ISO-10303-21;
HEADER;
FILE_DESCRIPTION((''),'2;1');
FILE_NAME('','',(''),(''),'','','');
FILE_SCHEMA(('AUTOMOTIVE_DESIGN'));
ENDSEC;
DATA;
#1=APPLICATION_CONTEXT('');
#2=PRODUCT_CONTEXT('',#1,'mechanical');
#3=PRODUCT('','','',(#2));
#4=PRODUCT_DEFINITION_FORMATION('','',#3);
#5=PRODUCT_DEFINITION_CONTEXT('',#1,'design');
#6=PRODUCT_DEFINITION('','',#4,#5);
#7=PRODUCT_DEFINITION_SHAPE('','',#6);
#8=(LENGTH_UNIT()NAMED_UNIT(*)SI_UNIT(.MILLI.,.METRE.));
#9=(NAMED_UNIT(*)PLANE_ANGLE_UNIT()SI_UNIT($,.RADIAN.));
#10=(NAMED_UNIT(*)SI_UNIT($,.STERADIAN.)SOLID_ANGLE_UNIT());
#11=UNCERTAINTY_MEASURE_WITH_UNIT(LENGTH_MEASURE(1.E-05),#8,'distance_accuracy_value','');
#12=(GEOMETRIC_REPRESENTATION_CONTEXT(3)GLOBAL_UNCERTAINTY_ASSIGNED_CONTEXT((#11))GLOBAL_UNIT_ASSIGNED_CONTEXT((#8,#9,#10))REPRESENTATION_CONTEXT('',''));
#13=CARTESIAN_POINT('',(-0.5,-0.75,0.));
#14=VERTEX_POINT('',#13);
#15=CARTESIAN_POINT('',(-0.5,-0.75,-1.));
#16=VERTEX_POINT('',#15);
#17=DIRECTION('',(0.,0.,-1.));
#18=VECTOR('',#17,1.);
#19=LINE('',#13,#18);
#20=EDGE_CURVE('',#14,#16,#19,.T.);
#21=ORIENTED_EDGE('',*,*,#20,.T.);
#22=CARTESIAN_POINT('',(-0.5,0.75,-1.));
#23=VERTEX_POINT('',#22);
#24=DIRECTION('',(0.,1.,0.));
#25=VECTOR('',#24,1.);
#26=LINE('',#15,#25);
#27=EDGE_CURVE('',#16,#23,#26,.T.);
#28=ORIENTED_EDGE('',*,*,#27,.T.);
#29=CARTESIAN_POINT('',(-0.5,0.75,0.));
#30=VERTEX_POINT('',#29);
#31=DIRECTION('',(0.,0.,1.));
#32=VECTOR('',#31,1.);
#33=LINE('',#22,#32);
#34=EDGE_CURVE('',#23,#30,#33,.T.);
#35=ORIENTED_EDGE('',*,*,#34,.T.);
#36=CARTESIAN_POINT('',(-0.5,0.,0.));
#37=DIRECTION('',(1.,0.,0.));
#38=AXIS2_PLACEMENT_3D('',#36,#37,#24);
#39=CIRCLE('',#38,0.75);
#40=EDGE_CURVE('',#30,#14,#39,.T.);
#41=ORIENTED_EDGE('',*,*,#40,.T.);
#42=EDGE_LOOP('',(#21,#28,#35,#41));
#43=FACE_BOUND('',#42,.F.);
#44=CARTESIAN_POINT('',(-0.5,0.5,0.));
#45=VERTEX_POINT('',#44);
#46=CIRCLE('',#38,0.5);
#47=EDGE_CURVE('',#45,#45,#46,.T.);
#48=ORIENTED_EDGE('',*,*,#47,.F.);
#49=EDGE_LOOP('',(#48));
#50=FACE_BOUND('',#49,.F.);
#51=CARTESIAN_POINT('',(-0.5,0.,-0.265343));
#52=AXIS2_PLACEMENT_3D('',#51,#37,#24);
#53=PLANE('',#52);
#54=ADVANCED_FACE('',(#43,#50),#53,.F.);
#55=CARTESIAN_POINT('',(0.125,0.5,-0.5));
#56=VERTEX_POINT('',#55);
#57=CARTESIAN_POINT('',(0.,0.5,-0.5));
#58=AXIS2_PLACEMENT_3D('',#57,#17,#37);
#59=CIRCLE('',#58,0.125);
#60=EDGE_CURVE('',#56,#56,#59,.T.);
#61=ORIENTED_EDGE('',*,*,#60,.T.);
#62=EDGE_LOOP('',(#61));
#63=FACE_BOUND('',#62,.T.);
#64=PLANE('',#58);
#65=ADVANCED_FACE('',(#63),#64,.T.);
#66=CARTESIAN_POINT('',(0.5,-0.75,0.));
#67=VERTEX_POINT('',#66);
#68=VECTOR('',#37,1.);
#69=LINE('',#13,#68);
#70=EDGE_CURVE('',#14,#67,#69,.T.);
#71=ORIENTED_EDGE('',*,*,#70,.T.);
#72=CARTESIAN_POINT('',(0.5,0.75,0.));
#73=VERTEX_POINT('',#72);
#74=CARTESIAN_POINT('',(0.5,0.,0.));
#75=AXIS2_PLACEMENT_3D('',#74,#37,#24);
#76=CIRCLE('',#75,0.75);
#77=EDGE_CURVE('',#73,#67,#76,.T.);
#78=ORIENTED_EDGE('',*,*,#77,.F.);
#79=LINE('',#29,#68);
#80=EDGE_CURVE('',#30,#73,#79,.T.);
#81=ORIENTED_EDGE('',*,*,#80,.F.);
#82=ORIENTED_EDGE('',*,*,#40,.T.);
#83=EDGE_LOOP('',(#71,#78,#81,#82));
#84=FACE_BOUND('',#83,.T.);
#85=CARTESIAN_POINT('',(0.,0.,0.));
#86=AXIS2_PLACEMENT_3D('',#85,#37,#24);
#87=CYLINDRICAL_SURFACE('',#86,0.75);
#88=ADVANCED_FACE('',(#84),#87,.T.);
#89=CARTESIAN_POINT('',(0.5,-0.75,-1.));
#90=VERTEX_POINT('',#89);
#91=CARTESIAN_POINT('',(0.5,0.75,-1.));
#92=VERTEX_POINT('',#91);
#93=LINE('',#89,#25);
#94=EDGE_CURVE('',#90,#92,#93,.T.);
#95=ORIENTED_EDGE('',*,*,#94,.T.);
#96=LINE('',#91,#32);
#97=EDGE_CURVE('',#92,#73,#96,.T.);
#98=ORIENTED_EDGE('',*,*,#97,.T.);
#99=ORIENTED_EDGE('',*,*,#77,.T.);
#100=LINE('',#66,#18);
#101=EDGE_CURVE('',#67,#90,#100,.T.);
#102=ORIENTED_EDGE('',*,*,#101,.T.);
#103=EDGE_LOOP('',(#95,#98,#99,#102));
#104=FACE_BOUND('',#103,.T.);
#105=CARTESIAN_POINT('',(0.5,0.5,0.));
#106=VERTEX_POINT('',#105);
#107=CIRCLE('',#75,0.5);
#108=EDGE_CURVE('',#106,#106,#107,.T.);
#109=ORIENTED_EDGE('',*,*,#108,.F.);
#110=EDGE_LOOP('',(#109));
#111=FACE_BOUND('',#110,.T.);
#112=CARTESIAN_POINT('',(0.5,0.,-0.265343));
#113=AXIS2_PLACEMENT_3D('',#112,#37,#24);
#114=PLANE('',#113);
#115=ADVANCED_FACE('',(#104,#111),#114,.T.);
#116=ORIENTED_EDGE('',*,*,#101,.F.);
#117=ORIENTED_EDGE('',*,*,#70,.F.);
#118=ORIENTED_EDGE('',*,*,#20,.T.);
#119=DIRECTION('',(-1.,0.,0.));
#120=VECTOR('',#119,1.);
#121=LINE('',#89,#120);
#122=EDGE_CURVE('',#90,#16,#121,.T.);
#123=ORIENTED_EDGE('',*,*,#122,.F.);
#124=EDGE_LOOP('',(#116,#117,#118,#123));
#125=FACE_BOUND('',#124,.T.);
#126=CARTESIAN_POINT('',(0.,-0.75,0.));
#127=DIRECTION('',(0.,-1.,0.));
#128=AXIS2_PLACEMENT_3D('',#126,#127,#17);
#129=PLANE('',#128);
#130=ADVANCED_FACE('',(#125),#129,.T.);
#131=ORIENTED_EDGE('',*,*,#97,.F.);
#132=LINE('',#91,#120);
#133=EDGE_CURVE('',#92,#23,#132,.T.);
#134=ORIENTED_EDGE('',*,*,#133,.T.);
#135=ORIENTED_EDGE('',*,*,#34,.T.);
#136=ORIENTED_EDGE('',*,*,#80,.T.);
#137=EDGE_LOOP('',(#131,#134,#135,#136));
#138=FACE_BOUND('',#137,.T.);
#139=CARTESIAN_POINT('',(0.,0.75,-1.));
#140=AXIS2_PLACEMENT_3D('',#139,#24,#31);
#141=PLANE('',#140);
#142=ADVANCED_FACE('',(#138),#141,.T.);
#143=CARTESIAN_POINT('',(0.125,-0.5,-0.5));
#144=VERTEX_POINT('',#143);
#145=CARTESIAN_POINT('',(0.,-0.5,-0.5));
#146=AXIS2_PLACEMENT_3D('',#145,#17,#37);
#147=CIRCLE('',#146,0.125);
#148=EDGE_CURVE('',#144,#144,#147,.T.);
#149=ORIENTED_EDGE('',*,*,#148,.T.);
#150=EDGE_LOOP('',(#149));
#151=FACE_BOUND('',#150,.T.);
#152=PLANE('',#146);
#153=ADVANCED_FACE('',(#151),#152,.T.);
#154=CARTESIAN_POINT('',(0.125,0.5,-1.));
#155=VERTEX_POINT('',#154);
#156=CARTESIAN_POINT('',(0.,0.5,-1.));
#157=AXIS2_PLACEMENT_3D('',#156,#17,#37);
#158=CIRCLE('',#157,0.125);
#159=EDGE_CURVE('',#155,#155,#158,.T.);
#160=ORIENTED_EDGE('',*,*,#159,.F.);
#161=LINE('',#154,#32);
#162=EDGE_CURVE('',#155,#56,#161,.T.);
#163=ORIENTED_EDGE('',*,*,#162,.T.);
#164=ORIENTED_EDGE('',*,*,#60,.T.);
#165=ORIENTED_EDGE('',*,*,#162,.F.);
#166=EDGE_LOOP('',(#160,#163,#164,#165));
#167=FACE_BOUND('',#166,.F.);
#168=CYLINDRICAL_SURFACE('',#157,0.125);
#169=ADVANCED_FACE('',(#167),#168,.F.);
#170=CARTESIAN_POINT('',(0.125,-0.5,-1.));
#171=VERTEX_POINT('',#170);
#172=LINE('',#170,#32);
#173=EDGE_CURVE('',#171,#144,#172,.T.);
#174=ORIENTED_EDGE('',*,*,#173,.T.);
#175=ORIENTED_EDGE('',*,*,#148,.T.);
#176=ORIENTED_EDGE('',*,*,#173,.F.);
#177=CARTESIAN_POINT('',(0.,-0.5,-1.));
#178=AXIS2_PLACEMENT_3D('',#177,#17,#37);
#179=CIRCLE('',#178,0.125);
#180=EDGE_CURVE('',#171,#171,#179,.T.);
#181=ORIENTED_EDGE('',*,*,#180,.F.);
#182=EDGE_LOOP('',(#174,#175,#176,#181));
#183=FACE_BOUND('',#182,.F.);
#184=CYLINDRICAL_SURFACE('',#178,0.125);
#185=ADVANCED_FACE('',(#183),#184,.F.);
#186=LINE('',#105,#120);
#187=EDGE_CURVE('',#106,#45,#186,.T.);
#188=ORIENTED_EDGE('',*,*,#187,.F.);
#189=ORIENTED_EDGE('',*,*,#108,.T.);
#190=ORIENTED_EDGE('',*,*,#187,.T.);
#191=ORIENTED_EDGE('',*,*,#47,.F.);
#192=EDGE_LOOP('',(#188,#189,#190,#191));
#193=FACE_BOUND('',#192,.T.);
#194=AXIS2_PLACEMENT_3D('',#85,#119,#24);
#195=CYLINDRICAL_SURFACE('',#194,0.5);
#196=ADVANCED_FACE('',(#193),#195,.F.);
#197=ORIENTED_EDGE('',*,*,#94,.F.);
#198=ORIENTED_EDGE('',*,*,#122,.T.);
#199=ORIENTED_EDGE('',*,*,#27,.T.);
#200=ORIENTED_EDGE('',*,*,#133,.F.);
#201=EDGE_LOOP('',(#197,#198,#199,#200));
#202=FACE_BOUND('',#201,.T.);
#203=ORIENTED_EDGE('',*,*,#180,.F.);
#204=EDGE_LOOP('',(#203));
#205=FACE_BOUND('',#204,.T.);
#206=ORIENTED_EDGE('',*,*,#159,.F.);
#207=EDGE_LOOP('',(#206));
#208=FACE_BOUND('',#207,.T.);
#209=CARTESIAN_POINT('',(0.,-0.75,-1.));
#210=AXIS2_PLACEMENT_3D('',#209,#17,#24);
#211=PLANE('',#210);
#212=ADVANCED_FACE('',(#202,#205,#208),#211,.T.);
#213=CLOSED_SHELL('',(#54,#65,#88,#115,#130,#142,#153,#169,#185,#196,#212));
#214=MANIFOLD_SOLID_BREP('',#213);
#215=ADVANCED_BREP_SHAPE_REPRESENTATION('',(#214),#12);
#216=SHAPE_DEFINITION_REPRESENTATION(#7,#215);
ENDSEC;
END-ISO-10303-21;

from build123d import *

# Parameters (mm, degrees)
F0_R     = 0.5
F1_DEPTH = 0.5
F2_R     = 0.125
F3_DEPTH = 0.5


with BuildPart() as f1:
    # F0 (on Right) → F1 (new body, symmetric)
    with BuildSketch(Plane.YZ):
        with BuildLine():
            Line((0.75, -1), (0.75, 0))
            ThreePointArc((0.75, 0), (0, 0.75), (-0.75, 0))
            Line((-0.75, 0), (-0.75, -1))
            Line((-0.75, -1), (0.75, -1))
        make_face()
        Circle(F0_R, mode=Mode.SUBTRACT)
    extrude(amount=F1_DEPTH, both=True)

    # F2 (on face) → F3 (cut)
    with BuildSketch(Plane(origin=(0, 0, -1), x_dir=(1, 0, 0), z_dir=(0, 0, -1))):
        with Locations((0, 0.5)):
            Circle(F2_R)
        with Locations((0, -0.5)):
            Circle(F2_R)
    extrude(amount=-F3_DEPTH, mode=Mode.SUBTRACT)


solid = f1.part
